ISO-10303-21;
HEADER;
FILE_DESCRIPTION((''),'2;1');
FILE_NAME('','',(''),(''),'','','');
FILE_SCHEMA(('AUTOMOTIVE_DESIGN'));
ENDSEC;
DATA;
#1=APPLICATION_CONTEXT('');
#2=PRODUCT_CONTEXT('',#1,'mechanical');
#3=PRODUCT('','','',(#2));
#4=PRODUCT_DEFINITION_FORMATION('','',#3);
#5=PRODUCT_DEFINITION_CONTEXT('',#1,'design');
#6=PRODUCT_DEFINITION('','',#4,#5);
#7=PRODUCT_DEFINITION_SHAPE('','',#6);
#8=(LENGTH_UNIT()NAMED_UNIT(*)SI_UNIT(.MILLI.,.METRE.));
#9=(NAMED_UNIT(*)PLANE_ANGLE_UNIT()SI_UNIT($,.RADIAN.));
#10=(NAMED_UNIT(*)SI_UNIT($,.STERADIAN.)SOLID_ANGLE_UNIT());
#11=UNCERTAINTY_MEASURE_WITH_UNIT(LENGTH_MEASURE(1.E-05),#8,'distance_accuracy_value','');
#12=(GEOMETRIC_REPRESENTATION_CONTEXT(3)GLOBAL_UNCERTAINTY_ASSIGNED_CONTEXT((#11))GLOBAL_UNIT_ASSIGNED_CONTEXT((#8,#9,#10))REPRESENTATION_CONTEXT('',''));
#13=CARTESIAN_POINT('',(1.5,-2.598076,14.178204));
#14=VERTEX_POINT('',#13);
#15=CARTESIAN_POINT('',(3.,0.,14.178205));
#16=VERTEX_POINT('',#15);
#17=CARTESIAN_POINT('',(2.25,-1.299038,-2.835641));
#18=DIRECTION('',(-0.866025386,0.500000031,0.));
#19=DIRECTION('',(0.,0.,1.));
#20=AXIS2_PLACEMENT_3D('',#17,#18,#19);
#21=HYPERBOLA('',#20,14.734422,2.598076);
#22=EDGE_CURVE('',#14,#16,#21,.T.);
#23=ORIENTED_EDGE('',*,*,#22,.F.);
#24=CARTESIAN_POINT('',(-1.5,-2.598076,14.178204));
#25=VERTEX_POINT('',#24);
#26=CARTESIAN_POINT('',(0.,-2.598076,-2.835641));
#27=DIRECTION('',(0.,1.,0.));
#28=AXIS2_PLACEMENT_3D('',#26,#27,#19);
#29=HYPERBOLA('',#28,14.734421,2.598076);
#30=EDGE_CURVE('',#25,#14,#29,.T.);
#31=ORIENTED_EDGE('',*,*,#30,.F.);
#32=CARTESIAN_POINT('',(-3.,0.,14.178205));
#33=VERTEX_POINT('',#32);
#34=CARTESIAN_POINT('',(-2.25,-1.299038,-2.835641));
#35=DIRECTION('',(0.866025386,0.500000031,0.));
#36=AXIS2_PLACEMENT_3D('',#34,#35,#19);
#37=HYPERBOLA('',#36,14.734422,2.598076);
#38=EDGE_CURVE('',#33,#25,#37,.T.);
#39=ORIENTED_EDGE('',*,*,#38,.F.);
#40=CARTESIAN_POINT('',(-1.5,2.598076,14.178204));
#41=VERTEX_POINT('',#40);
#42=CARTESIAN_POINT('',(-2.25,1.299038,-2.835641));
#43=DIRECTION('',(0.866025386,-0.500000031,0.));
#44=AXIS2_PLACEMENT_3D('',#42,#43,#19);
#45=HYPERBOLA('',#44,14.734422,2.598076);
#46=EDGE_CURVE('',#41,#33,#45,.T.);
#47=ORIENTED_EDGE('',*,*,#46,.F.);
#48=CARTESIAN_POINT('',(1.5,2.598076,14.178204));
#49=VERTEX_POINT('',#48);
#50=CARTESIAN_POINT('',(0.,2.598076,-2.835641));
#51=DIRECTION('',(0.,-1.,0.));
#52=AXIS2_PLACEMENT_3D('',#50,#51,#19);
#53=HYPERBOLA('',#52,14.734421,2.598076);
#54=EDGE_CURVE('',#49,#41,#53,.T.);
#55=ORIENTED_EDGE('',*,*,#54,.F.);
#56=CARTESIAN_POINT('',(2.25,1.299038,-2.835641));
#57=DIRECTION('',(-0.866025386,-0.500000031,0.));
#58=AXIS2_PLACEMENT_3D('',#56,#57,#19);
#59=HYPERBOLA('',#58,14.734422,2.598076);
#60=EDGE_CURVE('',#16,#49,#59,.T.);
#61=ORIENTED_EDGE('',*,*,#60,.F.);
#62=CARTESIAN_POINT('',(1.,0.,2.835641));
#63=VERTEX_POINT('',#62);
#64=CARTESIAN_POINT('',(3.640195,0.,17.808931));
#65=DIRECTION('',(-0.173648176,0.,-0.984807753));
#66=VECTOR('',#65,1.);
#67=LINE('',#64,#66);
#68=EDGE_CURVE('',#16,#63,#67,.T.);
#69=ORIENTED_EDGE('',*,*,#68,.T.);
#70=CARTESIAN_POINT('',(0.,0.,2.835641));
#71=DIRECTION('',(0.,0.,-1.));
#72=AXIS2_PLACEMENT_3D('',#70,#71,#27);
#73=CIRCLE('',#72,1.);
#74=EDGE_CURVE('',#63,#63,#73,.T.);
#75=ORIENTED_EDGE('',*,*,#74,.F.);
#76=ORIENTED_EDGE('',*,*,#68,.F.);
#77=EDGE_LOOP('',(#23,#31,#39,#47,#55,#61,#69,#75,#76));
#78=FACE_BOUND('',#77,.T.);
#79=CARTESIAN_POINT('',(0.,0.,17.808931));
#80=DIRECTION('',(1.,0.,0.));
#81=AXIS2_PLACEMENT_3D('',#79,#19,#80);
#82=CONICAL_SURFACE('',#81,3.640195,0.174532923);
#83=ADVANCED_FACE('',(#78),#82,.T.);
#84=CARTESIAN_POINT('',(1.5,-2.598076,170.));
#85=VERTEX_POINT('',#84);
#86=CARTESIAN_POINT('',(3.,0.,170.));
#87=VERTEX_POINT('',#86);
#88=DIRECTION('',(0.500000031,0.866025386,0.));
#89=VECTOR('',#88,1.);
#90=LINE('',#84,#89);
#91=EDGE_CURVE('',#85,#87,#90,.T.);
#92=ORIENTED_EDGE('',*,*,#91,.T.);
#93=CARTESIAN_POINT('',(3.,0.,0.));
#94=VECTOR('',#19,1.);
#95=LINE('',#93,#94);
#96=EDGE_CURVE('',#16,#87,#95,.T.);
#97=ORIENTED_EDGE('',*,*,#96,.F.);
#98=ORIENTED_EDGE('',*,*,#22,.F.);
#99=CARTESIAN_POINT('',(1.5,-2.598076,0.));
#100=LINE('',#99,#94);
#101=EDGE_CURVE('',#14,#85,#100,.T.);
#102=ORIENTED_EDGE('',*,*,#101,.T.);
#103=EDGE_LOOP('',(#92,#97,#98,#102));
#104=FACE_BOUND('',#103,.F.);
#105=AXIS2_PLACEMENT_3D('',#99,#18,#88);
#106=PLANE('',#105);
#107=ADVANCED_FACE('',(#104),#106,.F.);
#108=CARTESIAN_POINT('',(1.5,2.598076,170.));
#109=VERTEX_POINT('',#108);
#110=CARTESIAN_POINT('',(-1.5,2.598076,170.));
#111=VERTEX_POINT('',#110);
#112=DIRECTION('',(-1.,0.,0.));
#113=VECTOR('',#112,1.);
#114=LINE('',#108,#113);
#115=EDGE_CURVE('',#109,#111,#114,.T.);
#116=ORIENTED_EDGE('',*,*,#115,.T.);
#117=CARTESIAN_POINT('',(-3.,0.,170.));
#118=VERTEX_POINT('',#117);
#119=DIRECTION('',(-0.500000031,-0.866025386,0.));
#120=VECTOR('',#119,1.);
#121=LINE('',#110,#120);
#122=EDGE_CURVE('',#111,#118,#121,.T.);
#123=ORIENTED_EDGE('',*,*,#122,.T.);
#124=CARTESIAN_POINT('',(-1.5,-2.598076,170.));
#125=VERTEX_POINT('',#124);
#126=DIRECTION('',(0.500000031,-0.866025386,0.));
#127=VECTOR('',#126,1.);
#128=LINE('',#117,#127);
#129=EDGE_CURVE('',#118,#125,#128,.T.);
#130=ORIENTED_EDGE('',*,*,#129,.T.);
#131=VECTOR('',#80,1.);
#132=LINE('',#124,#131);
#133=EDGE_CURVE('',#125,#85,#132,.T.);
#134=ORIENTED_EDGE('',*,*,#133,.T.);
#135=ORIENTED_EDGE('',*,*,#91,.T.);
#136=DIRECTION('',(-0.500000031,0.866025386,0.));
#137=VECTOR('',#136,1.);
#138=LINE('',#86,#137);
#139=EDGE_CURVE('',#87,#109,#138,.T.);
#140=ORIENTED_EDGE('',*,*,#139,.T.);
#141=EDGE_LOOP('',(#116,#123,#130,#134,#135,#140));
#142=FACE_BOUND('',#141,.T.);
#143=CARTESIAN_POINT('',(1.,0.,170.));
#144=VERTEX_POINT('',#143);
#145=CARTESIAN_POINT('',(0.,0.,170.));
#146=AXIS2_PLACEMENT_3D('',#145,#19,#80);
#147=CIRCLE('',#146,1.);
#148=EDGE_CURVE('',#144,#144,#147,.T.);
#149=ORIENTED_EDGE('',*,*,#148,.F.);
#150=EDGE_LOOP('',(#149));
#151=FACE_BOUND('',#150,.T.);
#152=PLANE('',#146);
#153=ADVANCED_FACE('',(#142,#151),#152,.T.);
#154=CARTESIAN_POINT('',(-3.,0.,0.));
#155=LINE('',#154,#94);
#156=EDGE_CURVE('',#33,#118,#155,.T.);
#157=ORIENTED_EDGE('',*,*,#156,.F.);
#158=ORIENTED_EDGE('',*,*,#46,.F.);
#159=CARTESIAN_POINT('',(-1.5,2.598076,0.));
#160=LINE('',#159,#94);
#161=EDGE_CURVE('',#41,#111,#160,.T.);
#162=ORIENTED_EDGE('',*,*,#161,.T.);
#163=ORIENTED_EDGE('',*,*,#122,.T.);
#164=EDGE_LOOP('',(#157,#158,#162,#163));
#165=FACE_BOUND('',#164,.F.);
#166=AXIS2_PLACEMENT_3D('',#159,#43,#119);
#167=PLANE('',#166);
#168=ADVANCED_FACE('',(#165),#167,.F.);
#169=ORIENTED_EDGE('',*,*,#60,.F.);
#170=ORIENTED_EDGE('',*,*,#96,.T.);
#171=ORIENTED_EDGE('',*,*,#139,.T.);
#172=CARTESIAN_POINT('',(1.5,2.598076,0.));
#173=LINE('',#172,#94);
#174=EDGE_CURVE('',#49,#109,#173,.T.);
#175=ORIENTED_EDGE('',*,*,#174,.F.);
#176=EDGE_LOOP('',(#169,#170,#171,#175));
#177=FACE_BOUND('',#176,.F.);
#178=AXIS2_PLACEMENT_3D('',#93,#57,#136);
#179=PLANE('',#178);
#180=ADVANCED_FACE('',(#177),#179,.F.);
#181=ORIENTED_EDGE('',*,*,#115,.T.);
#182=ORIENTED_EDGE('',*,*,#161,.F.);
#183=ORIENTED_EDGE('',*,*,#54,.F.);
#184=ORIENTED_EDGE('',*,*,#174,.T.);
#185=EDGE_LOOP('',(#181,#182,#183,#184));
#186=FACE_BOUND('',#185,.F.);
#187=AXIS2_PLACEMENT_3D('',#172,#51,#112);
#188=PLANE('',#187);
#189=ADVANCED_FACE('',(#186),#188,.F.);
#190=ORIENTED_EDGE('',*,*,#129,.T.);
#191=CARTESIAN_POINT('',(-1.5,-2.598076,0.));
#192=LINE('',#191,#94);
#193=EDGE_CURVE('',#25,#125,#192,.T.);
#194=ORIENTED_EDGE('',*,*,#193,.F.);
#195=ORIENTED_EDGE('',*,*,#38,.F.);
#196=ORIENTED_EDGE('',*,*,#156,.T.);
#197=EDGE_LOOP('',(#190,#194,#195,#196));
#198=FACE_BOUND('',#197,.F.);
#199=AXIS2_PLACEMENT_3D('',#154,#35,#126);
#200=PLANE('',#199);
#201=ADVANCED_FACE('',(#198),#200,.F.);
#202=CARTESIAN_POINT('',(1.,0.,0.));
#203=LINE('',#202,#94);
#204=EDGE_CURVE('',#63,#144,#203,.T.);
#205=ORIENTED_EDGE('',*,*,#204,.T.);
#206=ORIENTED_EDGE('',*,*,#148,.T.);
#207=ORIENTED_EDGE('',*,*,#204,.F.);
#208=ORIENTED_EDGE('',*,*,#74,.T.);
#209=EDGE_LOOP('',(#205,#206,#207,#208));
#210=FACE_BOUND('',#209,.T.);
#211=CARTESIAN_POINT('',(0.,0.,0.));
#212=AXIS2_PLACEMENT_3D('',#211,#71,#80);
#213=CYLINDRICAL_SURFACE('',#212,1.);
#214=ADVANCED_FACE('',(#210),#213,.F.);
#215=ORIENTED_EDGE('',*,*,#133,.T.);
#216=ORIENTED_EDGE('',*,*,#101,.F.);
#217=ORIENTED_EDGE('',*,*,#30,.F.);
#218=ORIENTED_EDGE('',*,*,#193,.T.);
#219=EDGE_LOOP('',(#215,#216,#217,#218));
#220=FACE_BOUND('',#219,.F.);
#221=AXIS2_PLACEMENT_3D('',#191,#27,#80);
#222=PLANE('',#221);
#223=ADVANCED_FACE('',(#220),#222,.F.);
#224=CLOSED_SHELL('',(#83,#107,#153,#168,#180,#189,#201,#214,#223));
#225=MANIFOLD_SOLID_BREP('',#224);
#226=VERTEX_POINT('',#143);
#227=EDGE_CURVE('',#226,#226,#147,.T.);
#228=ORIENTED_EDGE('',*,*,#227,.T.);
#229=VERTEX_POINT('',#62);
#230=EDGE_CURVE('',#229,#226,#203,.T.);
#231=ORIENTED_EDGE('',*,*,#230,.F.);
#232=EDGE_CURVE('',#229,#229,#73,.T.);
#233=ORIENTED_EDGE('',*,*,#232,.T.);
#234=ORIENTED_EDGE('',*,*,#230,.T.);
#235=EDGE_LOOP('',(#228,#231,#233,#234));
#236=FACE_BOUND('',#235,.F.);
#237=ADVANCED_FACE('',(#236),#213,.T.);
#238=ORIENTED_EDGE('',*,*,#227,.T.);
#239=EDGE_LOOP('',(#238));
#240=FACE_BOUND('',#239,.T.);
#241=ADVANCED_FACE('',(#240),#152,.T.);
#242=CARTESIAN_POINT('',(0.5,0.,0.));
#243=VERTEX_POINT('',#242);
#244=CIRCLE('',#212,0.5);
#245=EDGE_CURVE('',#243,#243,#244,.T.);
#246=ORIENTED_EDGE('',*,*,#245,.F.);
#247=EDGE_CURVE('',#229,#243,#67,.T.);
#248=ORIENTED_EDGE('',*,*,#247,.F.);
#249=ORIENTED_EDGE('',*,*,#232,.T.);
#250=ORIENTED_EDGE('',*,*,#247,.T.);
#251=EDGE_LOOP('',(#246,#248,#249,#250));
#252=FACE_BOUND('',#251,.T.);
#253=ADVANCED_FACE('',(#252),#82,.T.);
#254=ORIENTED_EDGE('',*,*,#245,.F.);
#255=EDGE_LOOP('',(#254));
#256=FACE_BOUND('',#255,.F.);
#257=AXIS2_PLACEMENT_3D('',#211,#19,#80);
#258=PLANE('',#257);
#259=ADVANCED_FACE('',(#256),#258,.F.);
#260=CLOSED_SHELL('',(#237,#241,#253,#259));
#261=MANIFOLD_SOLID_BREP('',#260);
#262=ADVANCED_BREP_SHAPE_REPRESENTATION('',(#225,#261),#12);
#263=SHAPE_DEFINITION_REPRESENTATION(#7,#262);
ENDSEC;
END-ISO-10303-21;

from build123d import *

# Parameters (mm, degrees)
F0_R     = 1
F1_DEPTH = 170
F2_DEPTH = 170


with BuildPart() as f1:
    # F0 (on Top) → F1 (new body)
    with BuildSketch(Plane.XY):
        Polygon((1.5, 2.598076), (-1.5, 2.598076), (-3, 0), (-1.5, -2.598076), (1.5, -2.598076), (3, 0), align=None)
        Circle(F0_R, mode=Mode.SUBTRACT)
    extrude(amount=F1_DEPTH)


with BuildPart() as f2:
    # F0 (on Top) → F2 (new body)
    with BuildSketch(Plane.XY):
        Circle(F0_R)
    extrude(amount=F2_DEPTH)


with BuildPart() as f4_tool:
    # F3 (on Front) → F4 (revolve)
    with BuildSketch(Plane.XZ):
        Polygon((3.640195, 17.808931), (0.5, 0), (3.640195, 0), align=None)
    revolve(axis=Axis((0, 0, -3.991001), (0, 0, -1)))


with BuildPart() as f1_1:
    add(f1.part)

    # F4: cut by f4_tool
    add(f4_tool.part, mode=Mode.SUBTRACT)


with BuildPart() as f2_1:
    add(f2.part)

    # F4: cut by f4_tool
    add(f4_tool.part, mode=Mode.SUBTRACT)


solid = Compound([f1_1.part, f2_1.part])
